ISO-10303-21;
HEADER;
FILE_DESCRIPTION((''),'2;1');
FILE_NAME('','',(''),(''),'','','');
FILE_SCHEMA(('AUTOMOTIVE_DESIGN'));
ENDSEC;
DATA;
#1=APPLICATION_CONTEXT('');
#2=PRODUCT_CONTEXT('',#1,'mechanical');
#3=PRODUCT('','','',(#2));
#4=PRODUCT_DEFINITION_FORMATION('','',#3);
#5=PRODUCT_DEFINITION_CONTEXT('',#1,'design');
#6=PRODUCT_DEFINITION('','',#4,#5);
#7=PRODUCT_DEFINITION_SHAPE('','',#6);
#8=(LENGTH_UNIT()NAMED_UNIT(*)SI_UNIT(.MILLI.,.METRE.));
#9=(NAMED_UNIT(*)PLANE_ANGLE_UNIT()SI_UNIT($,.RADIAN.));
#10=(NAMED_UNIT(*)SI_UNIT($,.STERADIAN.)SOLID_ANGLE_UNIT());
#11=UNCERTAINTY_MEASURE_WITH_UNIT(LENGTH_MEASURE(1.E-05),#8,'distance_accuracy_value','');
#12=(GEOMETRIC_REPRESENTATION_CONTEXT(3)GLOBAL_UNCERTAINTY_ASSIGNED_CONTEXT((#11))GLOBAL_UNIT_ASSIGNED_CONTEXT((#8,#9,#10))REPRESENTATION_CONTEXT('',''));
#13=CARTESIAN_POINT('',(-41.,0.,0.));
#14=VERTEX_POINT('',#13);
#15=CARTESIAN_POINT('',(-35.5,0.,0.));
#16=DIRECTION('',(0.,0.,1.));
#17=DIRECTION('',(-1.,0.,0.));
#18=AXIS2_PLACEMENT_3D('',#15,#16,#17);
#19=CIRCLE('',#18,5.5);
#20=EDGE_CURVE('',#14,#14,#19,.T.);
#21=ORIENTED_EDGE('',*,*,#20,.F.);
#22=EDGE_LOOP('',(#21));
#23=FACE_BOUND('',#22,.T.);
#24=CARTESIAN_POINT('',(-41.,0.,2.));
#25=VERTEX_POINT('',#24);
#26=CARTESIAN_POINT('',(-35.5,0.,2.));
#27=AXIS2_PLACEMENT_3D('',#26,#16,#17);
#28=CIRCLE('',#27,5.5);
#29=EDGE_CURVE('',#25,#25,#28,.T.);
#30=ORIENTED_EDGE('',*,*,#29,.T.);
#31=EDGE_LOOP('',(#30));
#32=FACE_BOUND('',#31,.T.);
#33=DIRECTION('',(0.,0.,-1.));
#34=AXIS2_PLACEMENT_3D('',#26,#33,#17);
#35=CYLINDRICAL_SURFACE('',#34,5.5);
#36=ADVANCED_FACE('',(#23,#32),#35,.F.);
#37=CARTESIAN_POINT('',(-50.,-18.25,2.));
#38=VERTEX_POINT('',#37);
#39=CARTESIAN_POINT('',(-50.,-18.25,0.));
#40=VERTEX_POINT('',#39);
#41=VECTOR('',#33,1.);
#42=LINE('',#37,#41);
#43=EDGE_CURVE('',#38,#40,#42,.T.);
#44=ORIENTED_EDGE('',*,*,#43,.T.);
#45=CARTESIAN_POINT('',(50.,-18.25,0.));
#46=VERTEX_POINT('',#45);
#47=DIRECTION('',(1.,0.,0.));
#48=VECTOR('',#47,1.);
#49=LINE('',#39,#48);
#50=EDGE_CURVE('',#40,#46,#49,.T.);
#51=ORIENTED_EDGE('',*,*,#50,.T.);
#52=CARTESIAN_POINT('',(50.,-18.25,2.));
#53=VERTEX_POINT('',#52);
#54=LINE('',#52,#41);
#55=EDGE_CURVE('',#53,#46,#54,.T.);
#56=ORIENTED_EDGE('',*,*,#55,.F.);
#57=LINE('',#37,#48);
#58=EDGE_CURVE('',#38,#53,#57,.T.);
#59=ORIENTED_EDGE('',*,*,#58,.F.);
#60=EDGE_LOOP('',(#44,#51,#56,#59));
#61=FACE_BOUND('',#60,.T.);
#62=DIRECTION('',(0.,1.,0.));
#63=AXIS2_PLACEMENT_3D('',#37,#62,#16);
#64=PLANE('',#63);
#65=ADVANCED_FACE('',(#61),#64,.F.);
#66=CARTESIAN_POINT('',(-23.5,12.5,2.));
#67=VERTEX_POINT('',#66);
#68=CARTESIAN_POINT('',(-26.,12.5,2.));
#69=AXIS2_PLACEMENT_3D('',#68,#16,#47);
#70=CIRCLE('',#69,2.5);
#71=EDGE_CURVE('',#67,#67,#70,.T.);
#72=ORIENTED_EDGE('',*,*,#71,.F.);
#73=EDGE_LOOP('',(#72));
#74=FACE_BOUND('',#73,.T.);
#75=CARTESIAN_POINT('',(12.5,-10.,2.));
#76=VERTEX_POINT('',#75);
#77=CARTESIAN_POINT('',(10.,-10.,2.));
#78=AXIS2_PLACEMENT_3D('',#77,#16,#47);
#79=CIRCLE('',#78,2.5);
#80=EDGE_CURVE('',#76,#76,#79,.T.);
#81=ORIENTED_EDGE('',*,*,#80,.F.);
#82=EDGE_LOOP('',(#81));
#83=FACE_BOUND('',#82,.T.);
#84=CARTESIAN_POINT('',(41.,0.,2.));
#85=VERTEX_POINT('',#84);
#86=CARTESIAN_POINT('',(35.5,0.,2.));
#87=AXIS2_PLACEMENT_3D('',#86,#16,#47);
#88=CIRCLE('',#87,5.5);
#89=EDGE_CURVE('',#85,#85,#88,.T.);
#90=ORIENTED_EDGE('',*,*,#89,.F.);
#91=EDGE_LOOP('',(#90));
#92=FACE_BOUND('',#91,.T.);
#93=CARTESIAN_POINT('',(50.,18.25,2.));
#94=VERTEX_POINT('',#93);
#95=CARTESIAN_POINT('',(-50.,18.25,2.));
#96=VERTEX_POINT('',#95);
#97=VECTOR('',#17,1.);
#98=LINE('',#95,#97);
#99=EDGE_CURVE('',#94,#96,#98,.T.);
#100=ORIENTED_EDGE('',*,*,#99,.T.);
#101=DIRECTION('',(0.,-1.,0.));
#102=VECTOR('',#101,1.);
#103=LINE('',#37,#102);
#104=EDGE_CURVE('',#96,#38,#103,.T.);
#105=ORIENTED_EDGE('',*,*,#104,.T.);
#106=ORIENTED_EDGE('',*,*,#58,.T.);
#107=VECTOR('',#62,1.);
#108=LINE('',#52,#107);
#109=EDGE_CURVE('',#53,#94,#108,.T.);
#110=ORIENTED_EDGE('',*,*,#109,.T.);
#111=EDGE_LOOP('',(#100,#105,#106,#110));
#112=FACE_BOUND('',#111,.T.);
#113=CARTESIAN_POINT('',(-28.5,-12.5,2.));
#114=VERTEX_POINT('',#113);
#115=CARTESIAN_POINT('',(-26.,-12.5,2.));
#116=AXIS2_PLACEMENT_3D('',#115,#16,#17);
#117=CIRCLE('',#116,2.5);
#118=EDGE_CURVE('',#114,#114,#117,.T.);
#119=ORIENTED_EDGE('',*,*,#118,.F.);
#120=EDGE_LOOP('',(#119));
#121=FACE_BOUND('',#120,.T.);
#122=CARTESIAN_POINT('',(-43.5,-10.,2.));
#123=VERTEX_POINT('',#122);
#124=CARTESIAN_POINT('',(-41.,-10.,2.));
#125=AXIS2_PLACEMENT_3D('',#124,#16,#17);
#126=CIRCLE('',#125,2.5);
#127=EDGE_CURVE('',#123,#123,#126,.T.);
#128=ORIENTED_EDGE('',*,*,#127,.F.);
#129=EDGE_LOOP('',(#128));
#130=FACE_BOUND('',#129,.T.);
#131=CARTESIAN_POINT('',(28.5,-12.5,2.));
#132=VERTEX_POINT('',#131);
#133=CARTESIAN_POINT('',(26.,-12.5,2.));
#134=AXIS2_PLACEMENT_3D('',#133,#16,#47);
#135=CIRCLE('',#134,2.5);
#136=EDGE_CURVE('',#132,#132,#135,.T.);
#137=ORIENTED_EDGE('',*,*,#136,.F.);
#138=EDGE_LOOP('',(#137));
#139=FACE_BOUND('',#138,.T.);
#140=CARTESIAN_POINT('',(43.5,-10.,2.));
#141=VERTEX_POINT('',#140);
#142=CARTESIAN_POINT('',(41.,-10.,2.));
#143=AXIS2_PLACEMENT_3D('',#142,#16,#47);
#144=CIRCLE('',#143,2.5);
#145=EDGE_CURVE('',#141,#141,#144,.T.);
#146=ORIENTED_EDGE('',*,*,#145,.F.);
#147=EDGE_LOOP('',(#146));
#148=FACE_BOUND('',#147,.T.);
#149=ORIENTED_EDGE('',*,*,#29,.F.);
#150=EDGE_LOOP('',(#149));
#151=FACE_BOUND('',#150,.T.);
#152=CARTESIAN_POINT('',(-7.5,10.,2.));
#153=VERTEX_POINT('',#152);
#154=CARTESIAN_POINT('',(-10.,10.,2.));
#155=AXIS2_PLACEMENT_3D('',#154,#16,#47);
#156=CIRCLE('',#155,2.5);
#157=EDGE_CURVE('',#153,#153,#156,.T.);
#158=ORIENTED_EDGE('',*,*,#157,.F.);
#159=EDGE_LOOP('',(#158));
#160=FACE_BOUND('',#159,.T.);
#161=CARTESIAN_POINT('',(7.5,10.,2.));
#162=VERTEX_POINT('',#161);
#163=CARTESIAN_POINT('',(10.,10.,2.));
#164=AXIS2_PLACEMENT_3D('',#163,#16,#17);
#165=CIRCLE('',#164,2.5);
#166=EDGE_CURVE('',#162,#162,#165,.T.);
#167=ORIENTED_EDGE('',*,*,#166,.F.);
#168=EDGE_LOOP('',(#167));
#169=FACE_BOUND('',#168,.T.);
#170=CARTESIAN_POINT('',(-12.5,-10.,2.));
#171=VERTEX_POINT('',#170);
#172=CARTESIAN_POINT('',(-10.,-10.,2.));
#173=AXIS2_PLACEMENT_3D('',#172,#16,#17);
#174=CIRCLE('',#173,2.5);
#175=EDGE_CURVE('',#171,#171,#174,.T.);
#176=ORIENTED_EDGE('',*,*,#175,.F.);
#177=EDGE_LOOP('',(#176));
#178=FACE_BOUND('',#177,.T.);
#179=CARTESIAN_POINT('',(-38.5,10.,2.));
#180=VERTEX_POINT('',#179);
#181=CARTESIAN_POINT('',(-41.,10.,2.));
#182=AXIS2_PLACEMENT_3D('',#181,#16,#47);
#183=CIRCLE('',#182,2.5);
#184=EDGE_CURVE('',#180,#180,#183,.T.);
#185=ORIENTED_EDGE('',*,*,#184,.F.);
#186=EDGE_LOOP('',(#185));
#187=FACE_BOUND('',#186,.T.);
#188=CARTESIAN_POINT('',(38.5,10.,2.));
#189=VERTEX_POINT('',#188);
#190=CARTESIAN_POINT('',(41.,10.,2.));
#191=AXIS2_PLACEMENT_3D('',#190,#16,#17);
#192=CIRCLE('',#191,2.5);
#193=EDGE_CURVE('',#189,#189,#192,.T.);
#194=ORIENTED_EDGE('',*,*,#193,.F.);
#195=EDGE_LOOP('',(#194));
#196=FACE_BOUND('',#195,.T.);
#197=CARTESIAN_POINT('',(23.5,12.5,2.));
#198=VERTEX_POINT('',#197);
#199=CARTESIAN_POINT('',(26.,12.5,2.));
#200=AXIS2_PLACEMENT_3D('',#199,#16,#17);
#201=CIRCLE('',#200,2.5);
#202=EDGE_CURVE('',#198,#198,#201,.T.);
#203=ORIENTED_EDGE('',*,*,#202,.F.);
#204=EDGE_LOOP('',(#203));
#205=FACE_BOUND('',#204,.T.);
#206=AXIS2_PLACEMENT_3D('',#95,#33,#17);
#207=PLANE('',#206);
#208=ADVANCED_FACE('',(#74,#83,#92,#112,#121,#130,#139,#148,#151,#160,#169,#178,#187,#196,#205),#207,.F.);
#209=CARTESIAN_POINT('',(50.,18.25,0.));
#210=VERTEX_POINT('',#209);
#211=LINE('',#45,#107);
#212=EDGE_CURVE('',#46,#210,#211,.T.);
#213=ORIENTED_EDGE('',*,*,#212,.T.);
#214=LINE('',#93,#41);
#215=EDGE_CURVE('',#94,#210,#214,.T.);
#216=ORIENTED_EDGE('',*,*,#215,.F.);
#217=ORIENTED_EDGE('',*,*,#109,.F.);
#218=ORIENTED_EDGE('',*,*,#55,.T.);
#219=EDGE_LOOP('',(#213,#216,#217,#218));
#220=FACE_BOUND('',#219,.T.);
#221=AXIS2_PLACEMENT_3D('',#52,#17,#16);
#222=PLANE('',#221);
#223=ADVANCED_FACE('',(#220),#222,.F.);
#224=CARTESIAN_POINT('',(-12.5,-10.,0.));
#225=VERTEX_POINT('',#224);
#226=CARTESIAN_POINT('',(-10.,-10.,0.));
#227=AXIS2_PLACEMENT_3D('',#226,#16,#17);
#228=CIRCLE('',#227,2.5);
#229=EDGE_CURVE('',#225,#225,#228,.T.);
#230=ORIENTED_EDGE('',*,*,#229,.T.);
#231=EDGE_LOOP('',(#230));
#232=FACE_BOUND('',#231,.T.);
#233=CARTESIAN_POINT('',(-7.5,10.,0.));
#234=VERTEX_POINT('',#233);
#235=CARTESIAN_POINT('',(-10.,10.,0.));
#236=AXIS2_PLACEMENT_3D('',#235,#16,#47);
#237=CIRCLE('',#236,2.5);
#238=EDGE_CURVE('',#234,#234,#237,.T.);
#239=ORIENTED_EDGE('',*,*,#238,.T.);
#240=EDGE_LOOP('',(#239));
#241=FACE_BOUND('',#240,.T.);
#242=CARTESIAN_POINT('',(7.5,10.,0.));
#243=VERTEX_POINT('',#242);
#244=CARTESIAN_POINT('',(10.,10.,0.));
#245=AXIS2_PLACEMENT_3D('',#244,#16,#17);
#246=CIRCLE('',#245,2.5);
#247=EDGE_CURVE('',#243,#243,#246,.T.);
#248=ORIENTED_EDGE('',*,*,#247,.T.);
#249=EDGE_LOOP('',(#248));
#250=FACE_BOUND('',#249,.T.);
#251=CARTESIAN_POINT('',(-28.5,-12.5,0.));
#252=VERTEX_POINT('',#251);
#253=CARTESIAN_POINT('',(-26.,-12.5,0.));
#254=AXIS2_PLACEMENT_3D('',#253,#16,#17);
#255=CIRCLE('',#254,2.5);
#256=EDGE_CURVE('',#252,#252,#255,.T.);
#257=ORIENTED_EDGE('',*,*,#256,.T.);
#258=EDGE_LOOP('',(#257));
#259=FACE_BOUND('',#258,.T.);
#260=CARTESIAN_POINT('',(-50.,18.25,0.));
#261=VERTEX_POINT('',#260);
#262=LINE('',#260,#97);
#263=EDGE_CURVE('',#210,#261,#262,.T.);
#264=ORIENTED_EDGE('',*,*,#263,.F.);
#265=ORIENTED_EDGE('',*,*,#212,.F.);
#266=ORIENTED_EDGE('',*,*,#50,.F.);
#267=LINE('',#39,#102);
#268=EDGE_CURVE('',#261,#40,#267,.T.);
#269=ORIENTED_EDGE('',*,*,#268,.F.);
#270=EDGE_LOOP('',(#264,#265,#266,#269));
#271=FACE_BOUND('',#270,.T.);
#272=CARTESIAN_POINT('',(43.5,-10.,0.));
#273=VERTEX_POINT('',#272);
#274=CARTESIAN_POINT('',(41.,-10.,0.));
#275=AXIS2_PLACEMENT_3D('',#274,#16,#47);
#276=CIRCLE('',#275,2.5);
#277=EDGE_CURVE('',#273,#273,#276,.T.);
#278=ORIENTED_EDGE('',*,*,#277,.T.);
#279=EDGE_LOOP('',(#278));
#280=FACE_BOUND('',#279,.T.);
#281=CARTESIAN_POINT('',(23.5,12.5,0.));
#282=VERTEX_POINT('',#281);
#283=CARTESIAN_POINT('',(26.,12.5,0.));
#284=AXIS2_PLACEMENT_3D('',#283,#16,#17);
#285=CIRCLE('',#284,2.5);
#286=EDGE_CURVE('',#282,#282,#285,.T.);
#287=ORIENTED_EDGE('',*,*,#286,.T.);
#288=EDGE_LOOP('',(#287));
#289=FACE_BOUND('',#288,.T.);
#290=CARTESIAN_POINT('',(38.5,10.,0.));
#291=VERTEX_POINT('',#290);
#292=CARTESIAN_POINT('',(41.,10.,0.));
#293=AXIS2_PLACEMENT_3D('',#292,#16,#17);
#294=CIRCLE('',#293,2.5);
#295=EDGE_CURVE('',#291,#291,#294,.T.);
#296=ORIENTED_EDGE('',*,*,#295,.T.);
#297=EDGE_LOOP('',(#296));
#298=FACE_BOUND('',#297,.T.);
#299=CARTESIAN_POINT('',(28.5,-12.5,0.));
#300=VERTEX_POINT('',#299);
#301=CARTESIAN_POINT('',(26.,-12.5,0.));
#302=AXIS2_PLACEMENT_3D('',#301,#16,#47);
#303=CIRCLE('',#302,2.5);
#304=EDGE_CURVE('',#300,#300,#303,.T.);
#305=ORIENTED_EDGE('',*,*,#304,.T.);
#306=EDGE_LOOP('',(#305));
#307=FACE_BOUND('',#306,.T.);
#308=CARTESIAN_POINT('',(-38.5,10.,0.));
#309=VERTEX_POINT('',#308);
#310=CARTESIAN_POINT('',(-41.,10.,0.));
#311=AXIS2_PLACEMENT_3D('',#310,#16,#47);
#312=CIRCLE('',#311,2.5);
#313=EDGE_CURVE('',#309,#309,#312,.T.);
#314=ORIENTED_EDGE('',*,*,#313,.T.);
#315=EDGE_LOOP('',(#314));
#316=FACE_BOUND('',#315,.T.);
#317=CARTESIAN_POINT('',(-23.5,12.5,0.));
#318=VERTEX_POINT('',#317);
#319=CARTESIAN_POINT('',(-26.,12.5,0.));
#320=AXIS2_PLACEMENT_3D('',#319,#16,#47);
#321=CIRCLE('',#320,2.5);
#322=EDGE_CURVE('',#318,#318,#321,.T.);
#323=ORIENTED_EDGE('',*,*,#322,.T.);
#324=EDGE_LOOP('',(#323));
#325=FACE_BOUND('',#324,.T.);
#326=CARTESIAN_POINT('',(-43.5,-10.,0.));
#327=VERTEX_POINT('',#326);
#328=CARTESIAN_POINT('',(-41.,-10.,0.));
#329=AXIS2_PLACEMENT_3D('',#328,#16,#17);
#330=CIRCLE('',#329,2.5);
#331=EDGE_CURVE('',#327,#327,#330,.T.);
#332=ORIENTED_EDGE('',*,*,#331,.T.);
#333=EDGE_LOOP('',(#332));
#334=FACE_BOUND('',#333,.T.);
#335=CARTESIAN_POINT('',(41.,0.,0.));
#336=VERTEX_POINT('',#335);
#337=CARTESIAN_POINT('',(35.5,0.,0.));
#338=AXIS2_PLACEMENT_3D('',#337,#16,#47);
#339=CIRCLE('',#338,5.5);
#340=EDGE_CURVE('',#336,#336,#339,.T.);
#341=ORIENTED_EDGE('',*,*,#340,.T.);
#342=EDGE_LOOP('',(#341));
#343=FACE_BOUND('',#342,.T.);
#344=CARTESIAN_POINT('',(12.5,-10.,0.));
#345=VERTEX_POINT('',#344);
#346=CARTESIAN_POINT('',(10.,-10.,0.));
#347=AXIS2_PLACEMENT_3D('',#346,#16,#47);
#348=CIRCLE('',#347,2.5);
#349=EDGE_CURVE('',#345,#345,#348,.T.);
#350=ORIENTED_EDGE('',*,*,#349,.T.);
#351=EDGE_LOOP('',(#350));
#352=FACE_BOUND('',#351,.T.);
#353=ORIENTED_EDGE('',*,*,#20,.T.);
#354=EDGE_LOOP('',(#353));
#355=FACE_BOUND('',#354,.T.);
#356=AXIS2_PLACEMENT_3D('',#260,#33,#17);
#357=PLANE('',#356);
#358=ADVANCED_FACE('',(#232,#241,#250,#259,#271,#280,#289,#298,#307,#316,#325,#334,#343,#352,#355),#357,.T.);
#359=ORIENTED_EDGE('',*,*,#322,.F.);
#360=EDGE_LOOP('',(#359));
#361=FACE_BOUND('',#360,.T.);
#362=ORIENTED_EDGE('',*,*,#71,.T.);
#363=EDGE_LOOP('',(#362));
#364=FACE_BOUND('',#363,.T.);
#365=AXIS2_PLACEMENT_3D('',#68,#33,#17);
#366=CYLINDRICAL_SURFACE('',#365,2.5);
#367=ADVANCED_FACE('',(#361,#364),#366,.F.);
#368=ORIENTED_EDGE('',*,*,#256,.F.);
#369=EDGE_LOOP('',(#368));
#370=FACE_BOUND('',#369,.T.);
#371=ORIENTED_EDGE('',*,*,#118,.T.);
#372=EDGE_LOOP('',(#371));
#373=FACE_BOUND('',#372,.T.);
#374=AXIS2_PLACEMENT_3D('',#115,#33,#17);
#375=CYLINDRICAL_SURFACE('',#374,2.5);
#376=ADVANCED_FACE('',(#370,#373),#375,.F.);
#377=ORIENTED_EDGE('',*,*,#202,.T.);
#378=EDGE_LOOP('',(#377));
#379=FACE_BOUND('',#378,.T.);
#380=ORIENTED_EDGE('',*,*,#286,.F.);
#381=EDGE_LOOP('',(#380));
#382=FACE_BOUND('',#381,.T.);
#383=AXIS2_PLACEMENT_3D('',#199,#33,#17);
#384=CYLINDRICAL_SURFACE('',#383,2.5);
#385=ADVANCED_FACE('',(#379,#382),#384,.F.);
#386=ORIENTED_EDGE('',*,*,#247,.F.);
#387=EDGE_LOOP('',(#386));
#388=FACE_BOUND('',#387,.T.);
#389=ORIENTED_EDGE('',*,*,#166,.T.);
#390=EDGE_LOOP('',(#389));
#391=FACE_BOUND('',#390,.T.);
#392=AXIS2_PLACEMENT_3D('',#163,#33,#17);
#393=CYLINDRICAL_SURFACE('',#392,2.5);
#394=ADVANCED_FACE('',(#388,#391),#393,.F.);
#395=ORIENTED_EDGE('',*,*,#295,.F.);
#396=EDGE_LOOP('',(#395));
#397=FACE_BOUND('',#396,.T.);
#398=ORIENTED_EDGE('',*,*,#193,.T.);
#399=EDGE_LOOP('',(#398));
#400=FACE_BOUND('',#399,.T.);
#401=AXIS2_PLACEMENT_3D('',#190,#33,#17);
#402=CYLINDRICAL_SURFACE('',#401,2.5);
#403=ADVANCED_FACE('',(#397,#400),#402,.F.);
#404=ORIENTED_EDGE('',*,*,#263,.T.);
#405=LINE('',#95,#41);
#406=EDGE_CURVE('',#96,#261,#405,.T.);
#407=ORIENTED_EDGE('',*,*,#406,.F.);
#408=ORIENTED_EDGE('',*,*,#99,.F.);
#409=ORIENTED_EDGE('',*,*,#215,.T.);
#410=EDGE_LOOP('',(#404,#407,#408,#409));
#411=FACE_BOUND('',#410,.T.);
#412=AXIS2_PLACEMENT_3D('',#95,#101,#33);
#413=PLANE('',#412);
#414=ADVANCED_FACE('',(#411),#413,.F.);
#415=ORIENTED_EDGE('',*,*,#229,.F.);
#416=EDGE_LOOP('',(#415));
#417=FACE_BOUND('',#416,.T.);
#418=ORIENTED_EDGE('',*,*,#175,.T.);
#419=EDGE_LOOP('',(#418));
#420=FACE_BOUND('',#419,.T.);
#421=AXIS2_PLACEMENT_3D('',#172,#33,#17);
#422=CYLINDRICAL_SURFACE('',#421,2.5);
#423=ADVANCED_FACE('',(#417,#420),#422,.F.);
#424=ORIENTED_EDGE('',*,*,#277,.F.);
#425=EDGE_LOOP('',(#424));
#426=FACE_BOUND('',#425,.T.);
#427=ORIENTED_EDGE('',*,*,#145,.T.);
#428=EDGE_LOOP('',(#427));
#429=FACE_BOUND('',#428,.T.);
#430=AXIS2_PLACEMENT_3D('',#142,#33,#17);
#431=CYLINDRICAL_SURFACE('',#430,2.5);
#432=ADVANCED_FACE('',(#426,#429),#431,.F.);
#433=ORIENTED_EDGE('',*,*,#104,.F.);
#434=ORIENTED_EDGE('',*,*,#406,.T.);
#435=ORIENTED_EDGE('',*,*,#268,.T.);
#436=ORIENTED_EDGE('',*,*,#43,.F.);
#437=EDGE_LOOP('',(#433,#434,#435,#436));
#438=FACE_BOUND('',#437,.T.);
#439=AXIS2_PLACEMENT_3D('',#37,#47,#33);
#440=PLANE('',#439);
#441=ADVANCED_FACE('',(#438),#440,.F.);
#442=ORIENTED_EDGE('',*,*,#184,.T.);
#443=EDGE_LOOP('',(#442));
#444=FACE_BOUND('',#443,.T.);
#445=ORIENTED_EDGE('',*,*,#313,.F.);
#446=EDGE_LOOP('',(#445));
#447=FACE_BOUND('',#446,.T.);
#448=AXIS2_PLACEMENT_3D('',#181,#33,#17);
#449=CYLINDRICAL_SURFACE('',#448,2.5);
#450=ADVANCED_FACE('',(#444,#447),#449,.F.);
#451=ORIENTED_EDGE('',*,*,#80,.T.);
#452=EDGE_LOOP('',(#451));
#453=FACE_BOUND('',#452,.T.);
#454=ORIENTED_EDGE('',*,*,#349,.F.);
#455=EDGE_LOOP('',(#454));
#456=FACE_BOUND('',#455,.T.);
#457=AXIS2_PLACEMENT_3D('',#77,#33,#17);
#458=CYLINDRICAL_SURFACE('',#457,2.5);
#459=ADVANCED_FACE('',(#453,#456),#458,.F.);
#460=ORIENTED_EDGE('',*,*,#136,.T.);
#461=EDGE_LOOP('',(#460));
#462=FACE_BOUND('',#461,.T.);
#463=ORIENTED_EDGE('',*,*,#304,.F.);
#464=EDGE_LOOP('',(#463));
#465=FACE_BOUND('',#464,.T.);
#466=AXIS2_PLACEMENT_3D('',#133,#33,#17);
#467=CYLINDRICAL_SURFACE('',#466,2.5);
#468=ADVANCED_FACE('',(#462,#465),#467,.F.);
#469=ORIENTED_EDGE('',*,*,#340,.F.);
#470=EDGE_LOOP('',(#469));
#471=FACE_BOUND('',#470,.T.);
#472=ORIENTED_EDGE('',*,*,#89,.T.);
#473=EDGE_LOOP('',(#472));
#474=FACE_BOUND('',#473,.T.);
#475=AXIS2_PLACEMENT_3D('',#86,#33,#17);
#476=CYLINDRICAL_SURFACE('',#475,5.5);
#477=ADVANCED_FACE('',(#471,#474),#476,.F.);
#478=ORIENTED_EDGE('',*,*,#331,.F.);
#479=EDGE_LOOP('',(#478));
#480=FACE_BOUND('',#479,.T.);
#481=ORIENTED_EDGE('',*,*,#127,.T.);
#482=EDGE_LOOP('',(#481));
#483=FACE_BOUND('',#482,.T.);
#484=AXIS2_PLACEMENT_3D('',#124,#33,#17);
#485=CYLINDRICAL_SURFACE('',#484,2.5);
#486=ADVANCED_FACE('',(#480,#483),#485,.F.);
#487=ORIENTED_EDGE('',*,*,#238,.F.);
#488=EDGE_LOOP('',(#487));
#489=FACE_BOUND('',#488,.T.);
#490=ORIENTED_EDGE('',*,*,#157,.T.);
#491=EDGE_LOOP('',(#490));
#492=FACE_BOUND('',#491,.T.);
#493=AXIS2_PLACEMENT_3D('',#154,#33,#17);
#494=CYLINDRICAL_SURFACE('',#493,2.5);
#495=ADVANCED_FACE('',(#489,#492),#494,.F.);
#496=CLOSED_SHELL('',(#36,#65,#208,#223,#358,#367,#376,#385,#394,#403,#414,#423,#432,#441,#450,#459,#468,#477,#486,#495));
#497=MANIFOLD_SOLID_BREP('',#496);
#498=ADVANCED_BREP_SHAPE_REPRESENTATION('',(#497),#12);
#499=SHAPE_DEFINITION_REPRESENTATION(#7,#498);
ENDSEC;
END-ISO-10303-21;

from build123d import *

# Parameters (mm, degrees)
SKETCH_1_W      = 100
SKETCH_1_H      = 36.5
SKETCH_1_R      = 5.5
SKETCH_1_R_2    = 2.5
EXTRUDE_1_DEPTH = 2


with BuildPart() as part:
    # Эскиз1 → Вытянуть1 (new body)
    with BuildSketch(Plane.XY):
        Rectangle(SKETCH_1_W, SKETCH_1_H)
        with Locations((35.5, 0)):
            Circle(SKETCH_1_R, mode=Mode.SUBTRACT)
        with Locations(Location((-35.5, 0, 0), (0, 0, 180))):
            Circle(SKETCH_1_R, mode=Mode.SUBTRACT)
        with Locations((-41, 10)):
            Circle(SKETCH_1_R_2, mode=Mode.SUBTRACT)
        with Locations((-26, 12.5)):
            Circle(SKETCH_1_R_2, mode=Mode.SUBTRACT)
        with Locations((-10, 10)):
            Circle(SKETCH_1_R_2, mode=Mode.SUBTRACT)
        with Locations(Location((-10, -10, 0), (0, 0, 180))):
            Circle(SKETCH_1_R_2, mode=Mode.SUBTRACT)
        with Locations(Location((-26, -12.5, 0), (0, 0, 180))):
            Circle(SKETCH_1_R_2, mode=Mode.SUBTRACT)
        with Locations(Location((-41, -10, 0), (0, 0, 180))):
            Circle(SKETCH_1_R_2, mode=Mode.SUBTRACT)
        with Locations(Location((10, 10, 0), (0, 0, 180))):
            Circle(SKETCH_1_R_2, mode=Mode.SUBTRACT)
        with Locations((10, -10)):
            Circle(SKETCH_1_R_2, mode=Mode.SUBTRACT)
        with Locations((26, -12.5)):
            Circle(SKETCH_1_R_2, mode=Mode.SUBTRACT)
        with Locations(Location((26, 12.5, 0), (0, 0, 180))):
            Circle(SKETCH_1_R_2, mode=Mode.SUBTRACT)
        with Locations(Location((41, 10, 0), (0, 0, 180))):
            Circle(SKETCH_1_R_2, mode=Mode.SUBTRACT)
        with Locations((41, -10)):
            Circle(SKETCH_1_R_2, mode=Mode.SUBTRACT)
    extrude(amount=EXTRUDE_1_DEPTH)


solid = part.part
